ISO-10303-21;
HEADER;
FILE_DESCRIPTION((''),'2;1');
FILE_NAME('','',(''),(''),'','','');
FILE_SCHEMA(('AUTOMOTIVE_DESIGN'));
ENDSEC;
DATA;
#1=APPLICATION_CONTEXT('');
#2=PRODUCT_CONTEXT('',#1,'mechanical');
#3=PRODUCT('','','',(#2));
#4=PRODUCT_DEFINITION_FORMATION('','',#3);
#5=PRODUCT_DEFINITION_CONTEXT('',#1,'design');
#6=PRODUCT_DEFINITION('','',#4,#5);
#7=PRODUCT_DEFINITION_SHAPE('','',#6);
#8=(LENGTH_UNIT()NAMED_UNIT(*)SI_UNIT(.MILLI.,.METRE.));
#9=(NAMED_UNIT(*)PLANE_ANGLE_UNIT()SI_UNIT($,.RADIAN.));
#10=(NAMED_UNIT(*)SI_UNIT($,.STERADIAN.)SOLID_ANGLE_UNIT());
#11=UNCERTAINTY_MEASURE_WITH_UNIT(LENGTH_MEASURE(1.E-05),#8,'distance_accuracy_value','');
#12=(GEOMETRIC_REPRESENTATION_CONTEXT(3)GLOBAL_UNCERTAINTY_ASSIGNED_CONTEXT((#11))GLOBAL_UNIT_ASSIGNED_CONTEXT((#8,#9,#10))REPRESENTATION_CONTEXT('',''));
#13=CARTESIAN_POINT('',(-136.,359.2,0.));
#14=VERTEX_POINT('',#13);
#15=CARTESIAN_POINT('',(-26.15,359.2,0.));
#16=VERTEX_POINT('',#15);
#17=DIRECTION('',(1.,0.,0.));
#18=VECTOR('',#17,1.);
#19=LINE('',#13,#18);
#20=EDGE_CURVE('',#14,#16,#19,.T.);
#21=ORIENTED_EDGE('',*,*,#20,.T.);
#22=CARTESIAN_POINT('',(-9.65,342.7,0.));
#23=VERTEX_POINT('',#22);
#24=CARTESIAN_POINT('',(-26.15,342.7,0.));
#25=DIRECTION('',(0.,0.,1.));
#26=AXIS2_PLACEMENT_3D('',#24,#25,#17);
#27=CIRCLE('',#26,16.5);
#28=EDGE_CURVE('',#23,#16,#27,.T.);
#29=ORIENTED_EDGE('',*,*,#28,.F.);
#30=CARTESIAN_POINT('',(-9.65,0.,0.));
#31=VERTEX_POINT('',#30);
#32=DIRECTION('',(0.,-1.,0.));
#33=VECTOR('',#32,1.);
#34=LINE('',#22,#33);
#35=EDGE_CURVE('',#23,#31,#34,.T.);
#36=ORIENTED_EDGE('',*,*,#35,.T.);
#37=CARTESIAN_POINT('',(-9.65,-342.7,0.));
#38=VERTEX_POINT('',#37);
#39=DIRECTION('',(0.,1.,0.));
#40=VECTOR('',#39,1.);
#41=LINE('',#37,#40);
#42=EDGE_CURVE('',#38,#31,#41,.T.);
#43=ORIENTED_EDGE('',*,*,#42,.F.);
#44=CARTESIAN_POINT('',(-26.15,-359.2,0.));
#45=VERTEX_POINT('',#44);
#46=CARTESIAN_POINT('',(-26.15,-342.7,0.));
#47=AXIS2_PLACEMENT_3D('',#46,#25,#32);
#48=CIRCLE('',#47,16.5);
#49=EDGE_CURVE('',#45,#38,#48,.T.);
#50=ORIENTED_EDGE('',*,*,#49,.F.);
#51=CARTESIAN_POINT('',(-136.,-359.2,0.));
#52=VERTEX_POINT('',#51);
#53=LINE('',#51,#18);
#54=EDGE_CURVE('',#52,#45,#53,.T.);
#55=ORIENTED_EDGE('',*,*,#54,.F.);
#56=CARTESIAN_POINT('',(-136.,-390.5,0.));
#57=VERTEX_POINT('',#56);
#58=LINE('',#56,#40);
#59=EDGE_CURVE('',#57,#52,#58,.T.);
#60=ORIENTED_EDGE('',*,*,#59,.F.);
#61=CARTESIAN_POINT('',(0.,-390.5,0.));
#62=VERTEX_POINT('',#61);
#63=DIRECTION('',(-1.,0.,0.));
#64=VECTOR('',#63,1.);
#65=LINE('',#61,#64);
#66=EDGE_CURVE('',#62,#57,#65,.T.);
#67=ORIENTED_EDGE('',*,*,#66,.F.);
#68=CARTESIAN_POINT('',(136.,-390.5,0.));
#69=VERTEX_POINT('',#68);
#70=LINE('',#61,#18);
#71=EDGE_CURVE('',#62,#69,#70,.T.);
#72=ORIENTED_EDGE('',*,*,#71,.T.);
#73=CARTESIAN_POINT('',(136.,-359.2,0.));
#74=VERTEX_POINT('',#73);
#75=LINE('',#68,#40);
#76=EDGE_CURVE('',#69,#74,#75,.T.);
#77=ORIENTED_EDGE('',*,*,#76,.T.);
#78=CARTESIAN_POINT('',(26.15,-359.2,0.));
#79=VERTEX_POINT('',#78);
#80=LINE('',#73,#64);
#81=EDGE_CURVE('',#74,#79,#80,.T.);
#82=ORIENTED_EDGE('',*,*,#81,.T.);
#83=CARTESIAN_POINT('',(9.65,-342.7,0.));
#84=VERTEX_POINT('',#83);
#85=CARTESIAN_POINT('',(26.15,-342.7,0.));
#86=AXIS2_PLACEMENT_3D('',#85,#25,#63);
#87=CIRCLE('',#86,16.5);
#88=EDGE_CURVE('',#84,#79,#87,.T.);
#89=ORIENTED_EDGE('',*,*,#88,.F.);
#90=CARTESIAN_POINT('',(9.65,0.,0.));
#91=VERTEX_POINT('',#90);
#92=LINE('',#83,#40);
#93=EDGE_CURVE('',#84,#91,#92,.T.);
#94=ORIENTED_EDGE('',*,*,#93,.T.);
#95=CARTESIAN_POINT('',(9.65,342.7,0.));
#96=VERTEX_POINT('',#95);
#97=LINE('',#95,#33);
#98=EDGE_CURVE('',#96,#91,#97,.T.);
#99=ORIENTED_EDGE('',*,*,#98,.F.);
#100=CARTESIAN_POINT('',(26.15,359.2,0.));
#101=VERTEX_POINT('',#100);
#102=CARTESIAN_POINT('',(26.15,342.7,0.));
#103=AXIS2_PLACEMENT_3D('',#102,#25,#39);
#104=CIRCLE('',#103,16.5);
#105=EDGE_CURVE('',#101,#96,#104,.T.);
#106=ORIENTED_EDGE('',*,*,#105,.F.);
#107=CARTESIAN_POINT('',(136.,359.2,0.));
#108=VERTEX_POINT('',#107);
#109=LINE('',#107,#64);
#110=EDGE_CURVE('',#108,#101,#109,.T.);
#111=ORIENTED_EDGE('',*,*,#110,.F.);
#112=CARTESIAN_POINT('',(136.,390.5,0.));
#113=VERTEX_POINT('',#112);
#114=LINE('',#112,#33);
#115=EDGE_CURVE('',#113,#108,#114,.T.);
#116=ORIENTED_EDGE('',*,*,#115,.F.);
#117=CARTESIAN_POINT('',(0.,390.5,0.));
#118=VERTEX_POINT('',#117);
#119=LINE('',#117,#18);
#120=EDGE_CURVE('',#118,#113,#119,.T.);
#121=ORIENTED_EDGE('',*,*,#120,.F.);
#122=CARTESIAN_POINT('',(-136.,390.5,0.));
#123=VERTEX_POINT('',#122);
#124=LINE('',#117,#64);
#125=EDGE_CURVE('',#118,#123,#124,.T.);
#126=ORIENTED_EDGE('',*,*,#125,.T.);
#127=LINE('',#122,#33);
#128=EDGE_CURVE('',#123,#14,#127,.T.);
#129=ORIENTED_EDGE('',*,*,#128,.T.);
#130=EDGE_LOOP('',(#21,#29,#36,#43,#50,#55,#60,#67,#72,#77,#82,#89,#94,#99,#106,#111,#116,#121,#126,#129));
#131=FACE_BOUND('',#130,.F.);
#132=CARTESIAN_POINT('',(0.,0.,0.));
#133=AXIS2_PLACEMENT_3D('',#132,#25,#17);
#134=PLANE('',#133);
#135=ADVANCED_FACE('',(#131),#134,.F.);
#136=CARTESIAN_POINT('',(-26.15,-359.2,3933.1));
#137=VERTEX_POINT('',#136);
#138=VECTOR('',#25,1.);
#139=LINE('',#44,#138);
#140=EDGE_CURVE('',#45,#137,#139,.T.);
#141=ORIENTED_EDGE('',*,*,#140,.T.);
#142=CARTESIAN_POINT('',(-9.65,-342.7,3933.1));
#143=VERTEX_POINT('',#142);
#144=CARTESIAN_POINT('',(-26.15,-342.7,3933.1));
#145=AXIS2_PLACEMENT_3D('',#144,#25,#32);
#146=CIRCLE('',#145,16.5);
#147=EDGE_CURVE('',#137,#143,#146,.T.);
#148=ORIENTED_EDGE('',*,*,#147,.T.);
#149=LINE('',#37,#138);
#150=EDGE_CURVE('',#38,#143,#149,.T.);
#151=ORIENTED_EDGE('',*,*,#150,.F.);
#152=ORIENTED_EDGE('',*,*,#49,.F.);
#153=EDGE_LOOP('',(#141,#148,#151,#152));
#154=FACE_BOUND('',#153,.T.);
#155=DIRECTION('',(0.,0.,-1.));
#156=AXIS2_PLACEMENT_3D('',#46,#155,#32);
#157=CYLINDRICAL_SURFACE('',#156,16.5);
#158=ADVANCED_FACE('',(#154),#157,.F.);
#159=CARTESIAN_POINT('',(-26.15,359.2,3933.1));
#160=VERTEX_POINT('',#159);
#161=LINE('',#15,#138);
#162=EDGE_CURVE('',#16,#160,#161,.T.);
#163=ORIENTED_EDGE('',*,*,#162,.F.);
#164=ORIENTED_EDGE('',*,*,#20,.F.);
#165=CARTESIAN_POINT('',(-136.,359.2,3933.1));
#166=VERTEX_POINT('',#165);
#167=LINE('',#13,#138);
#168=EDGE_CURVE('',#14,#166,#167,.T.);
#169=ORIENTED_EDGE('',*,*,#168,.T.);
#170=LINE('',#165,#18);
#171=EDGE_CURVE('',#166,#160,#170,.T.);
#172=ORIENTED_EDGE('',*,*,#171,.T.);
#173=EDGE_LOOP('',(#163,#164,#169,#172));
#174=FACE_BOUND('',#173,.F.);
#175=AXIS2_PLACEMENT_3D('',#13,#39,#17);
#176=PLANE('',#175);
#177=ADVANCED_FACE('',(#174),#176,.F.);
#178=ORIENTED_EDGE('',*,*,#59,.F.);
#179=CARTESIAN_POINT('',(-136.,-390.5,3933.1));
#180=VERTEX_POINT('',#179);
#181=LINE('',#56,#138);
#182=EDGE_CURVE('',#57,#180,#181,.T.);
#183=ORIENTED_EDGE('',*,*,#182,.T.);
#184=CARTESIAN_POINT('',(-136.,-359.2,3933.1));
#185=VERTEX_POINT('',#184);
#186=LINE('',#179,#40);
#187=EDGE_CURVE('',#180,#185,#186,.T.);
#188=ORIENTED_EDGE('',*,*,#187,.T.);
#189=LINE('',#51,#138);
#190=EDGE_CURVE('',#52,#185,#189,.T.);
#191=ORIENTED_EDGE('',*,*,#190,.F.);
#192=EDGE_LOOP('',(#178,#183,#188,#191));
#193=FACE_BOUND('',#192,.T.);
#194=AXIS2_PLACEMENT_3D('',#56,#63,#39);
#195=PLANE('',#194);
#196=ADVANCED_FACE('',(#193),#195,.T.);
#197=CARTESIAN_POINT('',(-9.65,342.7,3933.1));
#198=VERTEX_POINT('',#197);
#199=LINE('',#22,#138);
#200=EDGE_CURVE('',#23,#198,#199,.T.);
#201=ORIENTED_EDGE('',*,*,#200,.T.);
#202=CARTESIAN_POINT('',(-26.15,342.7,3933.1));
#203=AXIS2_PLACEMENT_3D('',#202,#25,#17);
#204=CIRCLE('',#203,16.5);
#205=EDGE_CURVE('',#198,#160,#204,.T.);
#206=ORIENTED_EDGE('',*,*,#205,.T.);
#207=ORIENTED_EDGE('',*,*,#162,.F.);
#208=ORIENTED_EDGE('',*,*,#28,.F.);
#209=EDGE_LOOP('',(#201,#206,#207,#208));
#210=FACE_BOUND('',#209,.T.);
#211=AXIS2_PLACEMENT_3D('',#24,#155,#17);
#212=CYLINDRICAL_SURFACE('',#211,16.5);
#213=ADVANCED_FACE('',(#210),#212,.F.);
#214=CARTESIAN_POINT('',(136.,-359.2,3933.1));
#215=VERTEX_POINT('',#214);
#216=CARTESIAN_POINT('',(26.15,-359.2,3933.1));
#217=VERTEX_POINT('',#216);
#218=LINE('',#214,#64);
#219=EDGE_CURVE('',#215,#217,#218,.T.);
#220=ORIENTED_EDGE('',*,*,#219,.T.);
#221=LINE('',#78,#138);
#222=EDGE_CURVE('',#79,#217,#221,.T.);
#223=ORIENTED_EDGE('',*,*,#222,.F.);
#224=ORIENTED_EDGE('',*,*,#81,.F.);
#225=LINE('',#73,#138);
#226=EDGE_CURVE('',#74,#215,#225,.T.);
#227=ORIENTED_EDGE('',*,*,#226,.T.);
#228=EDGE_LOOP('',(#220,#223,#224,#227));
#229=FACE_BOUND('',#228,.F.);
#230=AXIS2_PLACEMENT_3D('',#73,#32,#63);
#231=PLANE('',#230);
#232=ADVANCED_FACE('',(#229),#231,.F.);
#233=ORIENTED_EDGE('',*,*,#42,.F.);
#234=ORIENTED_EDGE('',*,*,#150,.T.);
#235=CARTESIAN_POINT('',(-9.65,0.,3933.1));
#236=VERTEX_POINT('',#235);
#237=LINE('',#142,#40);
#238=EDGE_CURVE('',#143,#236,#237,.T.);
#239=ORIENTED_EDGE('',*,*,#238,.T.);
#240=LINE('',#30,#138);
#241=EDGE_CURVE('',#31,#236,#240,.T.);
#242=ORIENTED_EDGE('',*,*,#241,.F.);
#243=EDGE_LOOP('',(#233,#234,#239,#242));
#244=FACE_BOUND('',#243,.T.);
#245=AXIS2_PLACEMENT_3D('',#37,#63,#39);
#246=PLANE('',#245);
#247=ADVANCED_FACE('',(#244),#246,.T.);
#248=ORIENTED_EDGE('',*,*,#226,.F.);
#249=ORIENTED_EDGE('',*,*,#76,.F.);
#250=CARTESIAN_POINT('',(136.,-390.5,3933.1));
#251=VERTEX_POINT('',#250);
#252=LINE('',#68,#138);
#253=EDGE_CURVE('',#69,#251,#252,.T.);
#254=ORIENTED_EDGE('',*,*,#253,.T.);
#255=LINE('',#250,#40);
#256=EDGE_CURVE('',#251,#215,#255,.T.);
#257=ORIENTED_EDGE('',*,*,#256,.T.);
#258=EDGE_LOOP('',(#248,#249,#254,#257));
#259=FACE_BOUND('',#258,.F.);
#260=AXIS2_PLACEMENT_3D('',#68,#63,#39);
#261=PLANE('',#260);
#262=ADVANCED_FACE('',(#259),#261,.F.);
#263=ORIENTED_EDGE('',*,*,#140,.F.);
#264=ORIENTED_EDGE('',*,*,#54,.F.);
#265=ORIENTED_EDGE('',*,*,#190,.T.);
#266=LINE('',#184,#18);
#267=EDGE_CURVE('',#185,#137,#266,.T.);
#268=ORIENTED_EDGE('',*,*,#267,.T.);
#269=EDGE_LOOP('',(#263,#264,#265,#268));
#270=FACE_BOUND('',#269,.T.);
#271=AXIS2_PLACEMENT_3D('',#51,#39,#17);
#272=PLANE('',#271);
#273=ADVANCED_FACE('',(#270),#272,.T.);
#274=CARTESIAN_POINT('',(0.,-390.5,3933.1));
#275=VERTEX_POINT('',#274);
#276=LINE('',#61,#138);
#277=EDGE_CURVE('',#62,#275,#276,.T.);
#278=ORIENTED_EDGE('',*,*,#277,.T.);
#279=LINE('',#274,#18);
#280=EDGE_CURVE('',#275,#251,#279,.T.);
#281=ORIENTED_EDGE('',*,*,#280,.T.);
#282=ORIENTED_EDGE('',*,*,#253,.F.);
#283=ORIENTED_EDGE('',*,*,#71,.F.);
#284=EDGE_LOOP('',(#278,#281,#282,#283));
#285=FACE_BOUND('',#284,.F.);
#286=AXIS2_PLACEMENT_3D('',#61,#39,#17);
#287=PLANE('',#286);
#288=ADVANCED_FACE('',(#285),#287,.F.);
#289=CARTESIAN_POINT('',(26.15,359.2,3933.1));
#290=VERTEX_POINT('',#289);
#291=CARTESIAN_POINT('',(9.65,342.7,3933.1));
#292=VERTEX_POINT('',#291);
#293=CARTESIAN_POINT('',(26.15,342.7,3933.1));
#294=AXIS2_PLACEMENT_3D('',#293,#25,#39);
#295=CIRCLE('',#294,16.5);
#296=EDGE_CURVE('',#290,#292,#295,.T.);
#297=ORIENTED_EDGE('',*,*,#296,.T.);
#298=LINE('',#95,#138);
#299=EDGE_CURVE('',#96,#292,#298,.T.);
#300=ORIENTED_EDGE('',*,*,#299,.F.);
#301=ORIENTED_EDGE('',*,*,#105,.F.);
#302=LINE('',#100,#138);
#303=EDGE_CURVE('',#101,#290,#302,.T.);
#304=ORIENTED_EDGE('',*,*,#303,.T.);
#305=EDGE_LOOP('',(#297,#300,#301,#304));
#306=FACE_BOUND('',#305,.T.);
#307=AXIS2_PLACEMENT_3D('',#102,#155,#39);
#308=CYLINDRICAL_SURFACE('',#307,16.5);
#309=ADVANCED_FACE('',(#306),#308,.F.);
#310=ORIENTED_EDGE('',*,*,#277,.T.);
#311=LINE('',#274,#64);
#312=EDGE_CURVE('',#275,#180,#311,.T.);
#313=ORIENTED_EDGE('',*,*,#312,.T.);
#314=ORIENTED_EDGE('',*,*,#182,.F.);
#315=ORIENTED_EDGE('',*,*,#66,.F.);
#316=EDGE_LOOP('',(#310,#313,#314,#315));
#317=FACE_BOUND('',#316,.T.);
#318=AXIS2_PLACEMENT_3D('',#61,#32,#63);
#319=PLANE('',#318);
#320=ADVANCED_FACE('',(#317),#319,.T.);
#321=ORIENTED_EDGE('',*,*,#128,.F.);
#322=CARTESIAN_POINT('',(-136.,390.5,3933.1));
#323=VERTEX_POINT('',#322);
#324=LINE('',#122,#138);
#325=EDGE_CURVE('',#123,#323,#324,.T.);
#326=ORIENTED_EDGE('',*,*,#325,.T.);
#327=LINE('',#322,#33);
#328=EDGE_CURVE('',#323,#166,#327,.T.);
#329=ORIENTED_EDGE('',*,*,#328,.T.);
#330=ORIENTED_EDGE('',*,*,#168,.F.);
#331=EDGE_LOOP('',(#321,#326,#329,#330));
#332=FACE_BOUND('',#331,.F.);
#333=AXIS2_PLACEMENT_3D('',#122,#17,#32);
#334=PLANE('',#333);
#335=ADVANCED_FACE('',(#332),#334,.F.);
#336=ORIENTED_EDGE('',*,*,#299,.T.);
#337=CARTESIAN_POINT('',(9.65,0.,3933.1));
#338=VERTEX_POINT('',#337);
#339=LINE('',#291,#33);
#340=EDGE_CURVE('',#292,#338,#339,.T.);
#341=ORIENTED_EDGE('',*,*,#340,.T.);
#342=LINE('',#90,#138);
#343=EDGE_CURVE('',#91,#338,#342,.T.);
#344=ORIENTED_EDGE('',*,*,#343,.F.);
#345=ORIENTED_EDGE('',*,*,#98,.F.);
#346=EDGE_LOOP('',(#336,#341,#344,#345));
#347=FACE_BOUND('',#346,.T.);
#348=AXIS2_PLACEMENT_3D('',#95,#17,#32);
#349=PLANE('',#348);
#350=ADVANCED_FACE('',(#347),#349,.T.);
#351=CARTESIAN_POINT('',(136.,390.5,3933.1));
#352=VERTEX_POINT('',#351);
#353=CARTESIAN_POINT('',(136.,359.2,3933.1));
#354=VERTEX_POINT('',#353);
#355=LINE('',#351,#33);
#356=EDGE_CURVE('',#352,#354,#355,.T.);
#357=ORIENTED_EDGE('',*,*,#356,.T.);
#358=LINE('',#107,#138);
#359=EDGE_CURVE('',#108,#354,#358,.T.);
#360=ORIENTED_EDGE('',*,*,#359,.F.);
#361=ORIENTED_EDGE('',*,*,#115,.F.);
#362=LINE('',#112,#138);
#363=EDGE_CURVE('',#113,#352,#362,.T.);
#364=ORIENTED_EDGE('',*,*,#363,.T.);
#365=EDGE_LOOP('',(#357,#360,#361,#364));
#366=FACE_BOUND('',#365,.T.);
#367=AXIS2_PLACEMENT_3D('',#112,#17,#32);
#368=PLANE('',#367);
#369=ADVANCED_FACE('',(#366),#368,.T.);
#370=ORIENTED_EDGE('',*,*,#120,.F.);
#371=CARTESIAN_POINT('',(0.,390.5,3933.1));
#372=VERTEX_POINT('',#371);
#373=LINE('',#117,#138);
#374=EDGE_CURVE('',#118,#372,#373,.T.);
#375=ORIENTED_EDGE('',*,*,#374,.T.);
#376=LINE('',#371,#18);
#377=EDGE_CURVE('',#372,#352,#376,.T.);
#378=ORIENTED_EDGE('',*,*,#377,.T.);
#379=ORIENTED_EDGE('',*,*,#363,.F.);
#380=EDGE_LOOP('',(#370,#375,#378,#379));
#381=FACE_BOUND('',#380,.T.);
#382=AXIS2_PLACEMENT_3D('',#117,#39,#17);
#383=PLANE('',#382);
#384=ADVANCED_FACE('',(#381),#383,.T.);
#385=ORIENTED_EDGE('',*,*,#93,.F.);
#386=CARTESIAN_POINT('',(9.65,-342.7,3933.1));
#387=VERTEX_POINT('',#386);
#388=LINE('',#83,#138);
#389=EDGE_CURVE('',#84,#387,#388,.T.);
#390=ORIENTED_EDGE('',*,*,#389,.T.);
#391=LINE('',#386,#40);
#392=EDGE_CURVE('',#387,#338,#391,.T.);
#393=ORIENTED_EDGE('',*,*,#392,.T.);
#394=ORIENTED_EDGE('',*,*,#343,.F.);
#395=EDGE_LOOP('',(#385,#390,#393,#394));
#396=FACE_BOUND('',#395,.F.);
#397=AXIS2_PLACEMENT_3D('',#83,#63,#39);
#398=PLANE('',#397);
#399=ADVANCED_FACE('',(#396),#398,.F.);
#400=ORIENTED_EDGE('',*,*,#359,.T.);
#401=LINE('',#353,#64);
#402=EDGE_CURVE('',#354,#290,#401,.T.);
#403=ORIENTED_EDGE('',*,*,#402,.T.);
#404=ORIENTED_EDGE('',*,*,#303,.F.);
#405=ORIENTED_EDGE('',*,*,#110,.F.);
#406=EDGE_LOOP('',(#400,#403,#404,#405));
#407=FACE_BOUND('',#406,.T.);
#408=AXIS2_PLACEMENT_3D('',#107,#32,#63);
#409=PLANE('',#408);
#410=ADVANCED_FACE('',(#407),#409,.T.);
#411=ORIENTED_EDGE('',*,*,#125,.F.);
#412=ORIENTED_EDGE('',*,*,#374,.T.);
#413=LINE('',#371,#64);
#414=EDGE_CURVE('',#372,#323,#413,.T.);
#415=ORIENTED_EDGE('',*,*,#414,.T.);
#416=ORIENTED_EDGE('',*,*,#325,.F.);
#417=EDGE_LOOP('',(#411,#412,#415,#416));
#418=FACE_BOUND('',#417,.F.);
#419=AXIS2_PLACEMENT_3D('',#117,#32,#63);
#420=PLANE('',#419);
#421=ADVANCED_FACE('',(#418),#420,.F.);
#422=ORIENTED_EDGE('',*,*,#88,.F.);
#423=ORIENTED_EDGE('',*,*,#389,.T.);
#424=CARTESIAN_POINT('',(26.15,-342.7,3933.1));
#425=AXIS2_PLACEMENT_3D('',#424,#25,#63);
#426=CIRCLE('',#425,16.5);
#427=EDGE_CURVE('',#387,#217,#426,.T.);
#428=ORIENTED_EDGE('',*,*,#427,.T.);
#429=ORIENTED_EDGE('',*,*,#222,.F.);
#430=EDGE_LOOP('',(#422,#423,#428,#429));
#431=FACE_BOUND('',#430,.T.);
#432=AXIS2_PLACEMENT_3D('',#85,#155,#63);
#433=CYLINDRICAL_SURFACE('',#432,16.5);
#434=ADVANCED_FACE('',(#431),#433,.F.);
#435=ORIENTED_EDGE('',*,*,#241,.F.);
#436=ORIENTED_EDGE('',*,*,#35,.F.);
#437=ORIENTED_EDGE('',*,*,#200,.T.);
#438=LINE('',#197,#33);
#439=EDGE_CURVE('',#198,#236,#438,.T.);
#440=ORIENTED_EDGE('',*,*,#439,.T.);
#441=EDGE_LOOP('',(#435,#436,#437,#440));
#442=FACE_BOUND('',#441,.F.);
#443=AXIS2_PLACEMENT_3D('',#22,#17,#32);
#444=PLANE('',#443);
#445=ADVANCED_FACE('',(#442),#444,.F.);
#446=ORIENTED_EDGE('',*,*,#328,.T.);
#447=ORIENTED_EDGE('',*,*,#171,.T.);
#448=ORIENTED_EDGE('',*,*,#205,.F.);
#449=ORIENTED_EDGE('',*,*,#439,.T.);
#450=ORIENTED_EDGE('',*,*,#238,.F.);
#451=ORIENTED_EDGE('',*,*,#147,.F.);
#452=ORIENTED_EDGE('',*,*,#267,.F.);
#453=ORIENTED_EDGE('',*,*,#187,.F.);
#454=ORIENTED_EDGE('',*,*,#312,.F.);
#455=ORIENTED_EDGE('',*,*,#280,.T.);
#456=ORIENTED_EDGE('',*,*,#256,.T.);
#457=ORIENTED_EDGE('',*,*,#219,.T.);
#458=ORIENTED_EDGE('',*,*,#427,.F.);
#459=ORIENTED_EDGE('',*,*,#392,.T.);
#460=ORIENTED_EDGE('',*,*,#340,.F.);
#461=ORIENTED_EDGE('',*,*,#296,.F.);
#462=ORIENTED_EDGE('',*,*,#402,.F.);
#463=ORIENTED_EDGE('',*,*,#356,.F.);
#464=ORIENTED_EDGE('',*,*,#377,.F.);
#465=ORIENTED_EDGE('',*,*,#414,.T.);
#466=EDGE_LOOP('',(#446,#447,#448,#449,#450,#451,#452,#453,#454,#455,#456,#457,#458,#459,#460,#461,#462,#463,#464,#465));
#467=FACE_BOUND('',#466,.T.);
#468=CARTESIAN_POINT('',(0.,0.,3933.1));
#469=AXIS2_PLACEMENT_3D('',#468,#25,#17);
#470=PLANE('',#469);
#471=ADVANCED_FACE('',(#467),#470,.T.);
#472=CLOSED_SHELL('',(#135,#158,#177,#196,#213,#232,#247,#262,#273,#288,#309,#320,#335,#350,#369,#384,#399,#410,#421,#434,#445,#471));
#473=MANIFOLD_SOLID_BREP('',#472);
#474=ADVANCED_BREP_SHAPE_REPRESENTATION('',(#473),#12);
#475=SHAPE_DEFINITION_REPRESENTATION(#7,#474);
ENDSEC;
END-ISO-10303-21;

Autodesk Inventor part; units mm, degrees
ref_plane "YZ Plane" through (0, 0, 0) normal (1, 0, 0) x (0, 1, 0)
ref_plane "Start plane" through (0, 0, 0) normal (0, 0, 1) x (1, 0, 0)
ref_plane "End plane" through (0, 0, 3933.1) normal (0, 0, 1) x (1, 0, 0)
sketch "Sketch" plane through (0, 0, 0) normal (0, 0, 1) x (1, 0, 0)
  line L0 (-136, -390.5) -> (-136, -359.2)
  line L1 (-136, -359.2) -> (-26.15, -359.2)
  line L2 (-9.65, -342.7) -> (-9.65, 0)
  line L3 (-9.65, 0) -> (0, 0) construction
  line L4 (0, 0) -> (0, -390.5) construction
  line L5 (0, -390.5) -> (-136, -390.5)
  line L6 (-60, 0) -> (80, 0) construction
  line L7 (0, -60) -> (0, 80) construction
  line L8 (136, -390.5) -> (136, -359.2)
  line L9 (136, -359.2) -> (26.15, -359.2)
  line L10 (9.65, -342.7) -> (9.65, 0)
  line L11 (9.65, 0) -> (0, 0) construction
  line L12 (0, -390.5) -> (136, -390.5)
  line L13 (-136, 390.5) -> (-136, 359.2)
  line L14 (-136, 359.2) -> (-26.15, 359.2)
  line L15 (-9.65, 342.7) -> (-9.65, 0)
  line L16 (0, 390.5) -> (-136, 390.5)
  line L17 (136, 390.5) -> (136, 359.2)
  line L18 (136, 359.2) -> (26.15, 359.2)
  line L19 (0, 390.5) -> (136, 390.5)
  line L20 (9.65, 342.7) -> (9.65, 0)
  arc A0 (-9.65, 342.7) -> (-26.15, 359.2) centre (-26.15, 342.7) ccw
  arc A1 (26.15, 359.2) -> (9.65, 342.7) centre (26.15, 342.7) ccw
  arc A2 (9.65, -342.7) -> (26.15, -359.2) centre (26.15, -342.7) ccw
  arc A3 (-26.15, -359.2) -> (-9.65, -342.7) centre (-26.15, -342.7) ccw
  line L21 (0, 108) -> (0, -88) construction
  line L22 (-88, 0) -> (108, 0) construction
  point P0 (-9.65, -359.2)
  point P1 (9.65, -359.2)
  point P2 (-9.65, 359.2)
  point P3 (9.65, 359.2)
  dimension "d1" = 390.5
  dimension "d2" = 31.3
  dimension "d3" = 136
  dimension "d4" = 9.65
  dimension "d10" = 16.5
extrude "Body" add sketch "Sketch" along normal up to surface (3933.1 mm away) from surface at 0
sketch "Sketch4" plane through (0, 0, 0) normal (0, 0, 1) x (1, 0, 0)
  line L0 (0, 0) -> (10, 0)
ref_plane "Work Plane3" through (0, 0, 0) normal (0, -1, 0) x (1, 0, 0)
sketch "Sketch5" plane through (0, 0, 0) normal (0, -1, 0) x (1, 0, 0)
  line L0 (-2, 0) -> (12, 0) projected
  line L1 (-2, 3933.1) -> (12, 3933.1) projected
  dimension "d14" = 3933.1
equation "\"d1\" = 0.5 * G_H"
equation "\"d2\" = G_T1"
equation "\"d3\" = 0.5 * G_W"
equation "\"d4\" = 0.5 * G_T"
equation "\"d10\" = G_IR"
equation "\"d5\" = G_L"
equation "\"G_W\" = 272"
equation "\"G_H\" = 781"
equation "\"G_T\" = 19.3"
equation "\"G_T1\" = 31.3"
equation "\"G_IR\" = 16.5"
equation "\"G_L\" = d14"
equation "\"G_OFFSET_START\" = 0"
equation "\"G_OFFSET_END\" = 0"
equation "\"d12\" = G_OFFSET_END + B_L"
equation "\"B_L\" = 3933.1"
properties part number "AS 3679-1990 - 760 UB - 244 - 3933.1" material "Steel, Mild"
